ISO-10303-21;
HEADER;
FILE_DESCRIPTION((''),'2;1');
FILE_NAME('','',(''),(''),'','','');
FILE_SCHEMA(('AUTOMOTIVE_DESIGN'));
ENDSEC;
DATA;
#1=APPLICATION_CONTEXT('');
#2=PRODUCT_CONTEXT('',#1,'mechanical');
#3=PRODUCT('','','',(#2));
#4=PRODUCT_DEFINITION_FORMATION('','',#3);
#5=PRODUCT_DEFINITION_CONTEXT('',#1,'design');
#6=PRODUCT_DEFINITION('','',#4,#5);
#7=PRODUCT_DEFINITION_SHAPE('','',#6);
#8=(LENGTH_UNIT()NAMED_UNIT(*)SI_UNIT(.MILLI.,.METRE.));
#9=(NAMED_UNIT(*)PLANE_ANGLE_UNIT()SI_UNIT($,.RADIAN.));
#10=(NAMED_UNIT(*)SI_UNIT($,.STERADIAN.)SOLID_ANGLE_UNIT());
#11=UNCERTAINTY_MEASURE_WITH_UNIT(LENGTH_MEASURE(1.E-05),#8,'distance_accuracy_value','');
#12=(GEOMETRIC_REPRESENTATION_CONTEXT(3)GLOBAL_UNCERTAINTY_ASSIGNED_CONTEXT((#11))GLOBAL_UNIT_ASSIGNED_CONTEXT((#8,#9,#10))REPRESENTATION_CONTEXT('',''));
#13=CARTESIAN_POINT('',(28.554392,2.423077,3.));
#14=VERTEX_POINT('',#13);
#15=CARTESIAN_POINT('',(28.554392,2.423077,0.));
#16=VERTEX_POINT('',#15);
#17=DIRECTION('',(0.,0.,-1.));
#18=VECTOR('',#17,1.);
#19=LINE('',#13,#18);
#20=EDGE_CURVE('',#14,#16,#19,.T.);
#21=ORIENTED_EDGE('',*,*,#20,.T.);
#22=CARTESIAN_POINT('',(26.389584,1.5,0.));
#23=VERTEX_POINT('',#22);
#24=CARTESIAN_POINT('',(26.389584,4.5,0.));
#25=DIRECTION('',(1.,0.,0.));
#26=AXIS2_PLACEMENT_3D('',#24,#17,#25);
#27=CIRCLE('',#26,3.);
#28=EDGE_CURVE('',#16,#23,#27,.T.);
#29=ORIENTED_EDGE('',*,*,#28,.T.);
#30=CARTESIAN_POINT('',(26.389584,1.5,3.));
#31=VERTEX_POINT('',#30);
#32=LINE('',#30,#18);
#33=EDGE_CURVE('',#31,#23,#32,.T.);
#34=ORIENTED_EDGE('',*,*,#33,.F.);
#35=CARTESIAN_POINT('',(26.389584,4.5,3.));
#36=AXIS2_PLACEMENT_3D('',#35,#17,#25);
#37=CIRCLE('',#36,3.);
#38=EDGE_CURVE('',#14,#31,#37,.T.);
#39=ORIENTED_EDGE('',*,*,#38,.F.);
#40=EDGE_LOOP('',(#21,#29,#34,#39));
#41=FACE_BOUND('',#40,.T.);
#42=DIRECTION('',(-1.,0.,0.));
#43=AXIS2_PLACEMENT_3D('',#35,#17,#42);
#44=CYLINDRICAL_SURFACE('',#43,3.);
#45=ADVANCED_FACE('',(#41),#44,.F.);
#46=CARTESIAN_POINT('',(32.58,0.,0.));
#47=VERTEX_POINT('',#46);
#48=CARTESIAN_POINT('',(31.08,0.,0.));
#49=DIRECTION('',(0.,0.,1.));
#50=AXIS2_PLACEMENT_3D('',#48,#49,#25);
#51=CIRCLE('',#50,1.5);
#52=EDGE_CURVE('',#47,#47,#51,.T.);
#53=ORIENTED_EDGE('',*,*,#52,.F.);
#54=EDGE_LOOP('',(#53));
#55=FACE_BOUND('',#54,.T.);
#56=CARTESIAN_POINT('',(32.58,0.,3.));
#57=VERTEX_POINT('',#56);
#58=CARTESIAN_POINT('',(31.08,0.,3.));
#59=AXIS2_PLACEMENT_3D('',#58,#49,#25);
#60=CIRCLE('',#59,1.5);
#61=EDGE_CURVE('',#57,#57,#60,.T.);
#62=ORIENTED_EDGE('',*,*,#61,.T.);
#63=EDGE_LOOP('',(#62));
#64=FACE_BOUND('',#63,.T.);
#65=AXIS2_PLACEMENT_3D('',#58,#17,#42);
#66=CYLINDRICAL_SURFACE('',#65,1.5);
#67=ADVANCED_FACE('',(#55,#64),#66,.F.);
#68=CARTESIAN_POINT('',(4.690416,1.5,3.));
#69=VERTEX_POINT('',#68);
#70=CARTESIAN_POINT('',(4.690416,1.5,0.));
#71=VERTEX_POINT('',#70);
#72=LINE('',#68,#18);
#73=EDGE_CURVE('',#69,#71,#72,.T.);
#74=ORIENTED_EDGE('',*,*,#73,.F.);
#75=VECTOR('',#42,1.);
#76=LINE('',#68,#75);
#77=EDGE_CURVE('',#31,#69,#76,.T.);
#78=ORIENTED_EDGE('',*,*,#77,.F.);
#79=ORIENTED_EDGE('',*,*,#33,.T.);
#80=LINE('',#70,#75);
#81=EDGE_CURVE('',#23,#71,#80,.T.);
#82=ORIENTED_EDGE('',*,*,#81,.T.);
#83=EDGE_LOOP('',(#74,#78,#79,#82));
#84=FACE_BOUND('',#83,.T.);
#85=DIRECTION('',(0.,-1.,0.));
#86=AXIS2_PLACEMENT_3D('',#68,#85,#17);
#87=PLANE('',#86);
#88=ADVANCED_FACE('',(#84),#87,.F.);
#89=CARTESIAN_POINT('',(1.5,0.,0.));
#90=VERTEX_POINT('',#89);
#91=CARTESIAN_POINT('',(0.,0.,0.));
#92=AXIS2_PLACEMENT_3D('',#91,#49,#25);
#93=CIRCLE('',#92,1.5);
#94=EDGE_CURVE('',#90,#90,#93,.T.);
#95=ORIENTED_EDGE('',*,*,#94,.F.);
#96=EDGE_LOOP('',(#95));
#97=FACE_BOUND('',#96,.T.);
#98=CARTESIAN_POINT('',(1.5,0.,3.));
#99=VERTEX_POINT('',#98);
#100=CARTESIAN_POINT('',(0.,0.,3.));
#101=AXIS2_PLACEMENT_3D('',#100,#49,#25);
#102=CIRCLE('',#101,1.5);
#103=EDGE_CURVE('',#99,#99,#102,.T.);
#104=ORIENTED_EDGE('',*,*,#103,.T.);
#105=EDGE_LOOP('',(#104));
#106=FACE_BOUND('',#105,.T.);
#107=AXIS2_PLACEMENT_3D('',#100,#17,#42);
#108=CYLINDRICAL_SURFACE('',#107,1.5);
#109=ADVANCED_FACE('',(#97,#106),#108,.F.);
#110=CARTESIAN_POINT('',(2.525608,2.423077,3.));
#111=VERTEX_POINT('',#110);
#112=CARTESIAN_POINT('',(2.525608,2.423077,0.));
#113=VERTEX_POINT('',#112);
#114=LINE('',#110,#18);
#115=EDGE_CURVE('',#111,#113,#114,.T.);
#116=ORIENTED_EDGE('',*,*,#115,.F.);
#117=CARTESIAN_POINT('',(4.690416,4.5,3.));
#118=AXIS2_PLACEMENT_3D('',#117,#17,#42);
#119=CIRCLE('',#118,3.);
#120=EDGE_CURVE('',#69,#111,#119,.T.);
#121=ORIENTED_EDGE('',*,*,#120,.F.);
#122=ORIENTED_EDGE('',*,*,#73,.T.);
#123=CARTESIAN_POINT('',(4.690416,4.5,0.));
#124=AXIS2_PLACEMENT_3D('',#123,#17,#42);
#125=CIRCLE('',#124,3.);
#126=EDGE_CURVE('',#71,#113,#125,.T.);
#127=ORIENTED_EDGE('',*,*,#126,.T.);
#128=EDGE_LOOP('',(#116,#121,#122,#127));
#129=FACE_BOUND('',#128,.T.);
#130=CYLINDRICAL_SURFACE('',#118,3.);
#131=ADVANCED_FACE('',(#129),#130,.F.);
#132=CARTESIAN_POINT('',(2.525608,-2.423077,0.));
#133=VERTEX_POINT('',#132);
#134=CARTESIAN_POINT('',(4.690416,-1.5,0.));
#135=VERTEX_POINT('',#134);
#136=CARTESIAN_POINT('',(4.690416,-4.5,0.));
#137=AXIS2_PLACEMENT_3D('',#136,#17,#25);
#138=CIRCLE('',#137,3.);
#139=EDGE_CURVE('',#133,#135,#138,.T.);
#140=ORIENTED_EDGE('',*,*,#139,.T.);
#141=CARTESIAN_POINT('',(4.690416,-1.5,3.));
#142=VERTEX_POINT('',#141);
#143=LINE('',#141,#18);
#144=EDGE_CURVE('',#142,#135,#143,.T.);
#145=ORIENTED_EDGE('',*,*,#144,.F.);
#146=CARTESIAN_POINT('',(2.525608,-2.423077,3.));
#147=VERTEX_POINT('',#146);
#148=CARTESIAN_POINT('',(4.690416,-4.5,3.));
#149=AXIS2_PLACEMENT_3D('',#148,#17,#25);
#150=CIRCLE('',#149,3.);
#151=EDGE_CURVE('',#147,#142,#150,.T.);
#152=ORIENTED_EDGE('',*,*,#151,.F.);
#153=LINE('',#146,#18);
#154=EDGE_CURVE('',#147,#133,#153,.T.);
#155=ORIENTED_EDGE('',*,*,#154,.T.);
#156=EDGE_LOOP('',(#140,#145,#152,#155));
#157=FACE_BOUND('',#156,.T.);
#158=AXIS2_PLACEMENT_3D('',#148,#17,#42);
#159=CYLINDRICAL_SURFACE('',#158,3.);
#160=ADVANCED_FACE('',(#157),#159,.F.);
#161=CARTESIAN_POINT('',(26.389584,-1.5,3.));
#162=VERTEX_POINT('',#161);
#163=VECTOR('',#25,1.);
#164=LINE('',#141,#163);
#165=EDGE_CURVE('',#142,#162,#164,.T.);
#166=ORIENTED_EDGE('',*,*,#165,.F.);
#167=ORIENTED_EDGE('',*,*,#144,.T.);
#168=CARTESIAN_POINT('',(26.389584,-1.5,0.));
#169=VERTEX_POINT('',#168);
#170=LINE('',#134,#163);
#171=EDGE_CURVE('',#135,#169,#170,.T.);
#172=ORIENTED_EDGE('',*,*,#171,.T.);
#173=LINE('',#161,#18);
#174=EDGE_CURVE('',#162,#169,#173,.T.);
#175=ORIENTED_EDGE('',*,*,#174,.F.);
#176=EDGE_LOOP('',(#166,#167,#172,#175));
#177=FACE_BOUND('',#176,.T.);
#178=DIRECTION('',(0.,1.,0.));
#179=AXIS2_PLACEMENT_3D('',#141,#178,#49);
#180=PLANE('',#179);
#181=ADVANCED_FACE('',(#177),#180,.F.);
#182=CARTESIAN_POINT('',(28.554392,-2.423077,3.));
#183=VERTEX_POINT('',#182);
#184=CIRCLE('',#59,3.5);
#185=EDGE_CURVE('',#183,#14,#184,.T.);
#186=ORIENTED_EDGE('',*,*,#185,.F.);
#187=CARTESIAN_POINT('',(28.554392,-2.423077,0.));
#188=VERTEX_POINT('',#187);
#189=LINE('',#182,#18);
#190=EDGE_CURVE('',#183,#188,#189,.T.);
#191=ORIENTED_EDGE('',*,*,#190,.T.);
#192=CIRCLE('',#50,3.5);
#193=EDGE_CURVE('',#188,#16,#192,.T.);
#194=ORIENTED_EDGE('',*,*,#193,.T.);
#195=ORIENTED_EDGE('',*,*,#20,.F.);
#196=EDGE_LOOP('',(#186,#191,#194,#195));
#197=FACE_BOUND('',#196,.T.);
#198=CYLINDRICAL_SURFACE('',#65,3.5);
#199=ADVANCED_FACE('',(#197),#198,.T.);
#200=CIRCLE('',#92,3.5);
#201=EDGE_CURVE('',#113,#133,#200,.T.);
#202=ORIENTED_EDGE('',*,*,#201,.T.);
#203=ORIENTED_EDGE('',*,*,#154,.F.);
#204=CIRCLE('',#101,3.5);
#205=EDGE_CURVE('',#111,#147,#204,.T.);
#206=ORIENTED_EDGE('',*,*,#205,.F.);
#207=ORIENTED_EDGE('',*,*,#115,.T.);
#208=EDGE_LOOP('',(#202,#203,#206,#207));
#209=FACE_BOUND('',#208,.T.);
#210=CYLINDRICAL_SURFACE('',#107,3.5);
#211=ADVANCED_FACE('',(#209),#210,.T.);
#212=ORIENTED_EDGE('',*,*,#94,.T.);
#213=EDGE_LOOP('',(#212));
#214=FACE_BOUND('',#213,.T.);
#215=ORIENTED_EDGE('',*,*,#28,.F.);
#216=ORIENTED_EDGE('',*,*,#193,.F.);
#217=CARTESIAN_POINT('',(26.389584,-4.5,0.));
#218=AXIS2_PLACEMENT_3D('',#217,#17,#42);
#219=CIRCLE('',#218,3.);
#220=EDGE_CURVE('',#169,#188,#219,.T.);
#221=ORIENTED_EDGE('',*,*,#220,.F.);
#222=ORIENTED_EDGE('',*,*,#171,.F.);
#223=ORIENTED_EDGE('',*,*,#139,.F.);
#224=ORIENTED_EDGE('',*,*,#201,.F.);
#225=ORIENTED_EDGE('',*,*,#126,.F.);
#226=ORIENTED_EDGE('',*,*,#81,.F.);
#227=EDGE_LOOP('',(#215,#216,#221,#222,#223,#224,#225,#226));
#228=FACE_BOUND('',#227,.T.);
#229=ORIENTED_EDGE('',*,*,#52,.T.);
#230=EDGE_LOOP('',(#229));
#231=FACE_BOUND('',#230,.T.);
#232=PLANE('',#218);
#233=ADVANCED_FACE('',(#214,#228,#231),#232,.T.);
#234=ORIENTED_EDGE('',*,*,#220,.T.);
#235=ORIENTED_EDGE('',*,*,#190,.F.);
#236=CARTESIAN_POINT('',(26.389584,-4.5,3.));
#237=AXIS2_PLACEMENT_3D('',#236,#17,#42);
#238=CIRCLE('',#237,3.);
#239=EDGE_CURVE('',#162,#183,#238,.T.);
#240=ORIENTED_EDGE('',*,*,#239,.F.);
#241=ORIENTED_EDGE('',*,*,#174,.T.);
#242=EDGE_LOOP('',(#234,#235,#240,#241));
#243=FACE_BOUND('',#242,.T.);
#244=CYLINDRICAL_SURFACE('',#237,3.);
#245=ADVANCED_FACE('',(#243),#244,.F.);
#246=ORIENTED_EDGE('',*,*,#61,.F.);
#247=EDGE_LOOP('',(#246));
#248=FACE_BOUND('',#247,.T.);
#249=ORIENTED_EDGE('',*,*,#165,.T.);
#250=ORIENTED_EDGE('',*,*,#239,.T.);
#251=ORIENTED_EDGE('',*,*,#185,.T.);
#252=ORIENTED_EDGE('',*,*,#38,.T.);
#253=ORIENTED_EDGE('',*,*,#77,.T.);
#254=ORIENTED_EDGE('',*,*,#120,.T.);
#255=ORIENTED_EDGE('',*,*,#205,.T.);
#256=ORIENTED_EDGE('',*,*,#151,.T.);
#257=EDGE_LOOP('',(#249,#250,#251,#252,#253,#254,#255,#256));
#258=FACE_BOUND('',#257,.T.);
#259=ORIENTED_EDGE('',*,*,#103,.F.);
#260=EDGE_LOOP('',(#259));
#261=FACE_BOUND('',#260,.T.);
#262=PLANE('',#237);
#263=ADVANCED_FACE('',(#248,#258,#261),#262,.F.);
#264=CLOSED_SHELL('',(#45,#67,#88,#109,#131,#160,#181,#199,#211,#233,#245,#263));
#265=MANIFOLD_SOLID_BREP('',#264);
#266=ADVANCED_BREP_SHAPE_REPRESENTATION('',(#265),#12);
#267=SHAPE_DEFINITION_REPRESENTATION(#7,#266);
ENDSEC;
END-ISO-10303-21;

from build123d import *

# Parameters (mm, degrees)
SKETCH1_R           = 1.5
BOSS_EXTRUDE1_DEPTH = 3


with BuildPart() as part:
    # Sketch1 → Boss-Extrude1 (new body)
    with BuildSketch(Plane.XY):
        with BuildLine():
            Line((4.69041576, 1.5), (26.38958424, 1.5))
            ThreePointArc((26.38958424, 1.5), (27.566281051, 1.740401367), (28.554391514, 2.423076923))
            ThreePointArc((28.554391514, 2.423076923), (34.58, 0), (28.554391514, -2.423076923))
            ThreePointArc((28.554391514, -2.423076923), (27.566281051, -1.740401367), (26.38958424, -1.5))
            Line((26.38958424, -1.5), (4.69041576, -1.5))
            ThreePointArc((4.69041576, -1.5), (3.513718949, -1.740401367), (2.525608486, -2.423076923))
            ThreePointArc((2.525608486, -2.423076923), (-3.5, 0), (2.525608486, 2.423076923))
            ThreePointArc((2.525608486, 2.423076923), (3.513718949, 1.740401367), (4.69041576, 1.5))
        make_face()
        Circle(SKETCH1_R, mode=Mode.SUBTRACT)
        with Locations((31.08, 0)):
            Circle(SKETCH1_R, mode=Mode.SUBTRACT)
    extrude(amount=BOSS_EXTRUDE1_DEPTH)


solid = part.part
